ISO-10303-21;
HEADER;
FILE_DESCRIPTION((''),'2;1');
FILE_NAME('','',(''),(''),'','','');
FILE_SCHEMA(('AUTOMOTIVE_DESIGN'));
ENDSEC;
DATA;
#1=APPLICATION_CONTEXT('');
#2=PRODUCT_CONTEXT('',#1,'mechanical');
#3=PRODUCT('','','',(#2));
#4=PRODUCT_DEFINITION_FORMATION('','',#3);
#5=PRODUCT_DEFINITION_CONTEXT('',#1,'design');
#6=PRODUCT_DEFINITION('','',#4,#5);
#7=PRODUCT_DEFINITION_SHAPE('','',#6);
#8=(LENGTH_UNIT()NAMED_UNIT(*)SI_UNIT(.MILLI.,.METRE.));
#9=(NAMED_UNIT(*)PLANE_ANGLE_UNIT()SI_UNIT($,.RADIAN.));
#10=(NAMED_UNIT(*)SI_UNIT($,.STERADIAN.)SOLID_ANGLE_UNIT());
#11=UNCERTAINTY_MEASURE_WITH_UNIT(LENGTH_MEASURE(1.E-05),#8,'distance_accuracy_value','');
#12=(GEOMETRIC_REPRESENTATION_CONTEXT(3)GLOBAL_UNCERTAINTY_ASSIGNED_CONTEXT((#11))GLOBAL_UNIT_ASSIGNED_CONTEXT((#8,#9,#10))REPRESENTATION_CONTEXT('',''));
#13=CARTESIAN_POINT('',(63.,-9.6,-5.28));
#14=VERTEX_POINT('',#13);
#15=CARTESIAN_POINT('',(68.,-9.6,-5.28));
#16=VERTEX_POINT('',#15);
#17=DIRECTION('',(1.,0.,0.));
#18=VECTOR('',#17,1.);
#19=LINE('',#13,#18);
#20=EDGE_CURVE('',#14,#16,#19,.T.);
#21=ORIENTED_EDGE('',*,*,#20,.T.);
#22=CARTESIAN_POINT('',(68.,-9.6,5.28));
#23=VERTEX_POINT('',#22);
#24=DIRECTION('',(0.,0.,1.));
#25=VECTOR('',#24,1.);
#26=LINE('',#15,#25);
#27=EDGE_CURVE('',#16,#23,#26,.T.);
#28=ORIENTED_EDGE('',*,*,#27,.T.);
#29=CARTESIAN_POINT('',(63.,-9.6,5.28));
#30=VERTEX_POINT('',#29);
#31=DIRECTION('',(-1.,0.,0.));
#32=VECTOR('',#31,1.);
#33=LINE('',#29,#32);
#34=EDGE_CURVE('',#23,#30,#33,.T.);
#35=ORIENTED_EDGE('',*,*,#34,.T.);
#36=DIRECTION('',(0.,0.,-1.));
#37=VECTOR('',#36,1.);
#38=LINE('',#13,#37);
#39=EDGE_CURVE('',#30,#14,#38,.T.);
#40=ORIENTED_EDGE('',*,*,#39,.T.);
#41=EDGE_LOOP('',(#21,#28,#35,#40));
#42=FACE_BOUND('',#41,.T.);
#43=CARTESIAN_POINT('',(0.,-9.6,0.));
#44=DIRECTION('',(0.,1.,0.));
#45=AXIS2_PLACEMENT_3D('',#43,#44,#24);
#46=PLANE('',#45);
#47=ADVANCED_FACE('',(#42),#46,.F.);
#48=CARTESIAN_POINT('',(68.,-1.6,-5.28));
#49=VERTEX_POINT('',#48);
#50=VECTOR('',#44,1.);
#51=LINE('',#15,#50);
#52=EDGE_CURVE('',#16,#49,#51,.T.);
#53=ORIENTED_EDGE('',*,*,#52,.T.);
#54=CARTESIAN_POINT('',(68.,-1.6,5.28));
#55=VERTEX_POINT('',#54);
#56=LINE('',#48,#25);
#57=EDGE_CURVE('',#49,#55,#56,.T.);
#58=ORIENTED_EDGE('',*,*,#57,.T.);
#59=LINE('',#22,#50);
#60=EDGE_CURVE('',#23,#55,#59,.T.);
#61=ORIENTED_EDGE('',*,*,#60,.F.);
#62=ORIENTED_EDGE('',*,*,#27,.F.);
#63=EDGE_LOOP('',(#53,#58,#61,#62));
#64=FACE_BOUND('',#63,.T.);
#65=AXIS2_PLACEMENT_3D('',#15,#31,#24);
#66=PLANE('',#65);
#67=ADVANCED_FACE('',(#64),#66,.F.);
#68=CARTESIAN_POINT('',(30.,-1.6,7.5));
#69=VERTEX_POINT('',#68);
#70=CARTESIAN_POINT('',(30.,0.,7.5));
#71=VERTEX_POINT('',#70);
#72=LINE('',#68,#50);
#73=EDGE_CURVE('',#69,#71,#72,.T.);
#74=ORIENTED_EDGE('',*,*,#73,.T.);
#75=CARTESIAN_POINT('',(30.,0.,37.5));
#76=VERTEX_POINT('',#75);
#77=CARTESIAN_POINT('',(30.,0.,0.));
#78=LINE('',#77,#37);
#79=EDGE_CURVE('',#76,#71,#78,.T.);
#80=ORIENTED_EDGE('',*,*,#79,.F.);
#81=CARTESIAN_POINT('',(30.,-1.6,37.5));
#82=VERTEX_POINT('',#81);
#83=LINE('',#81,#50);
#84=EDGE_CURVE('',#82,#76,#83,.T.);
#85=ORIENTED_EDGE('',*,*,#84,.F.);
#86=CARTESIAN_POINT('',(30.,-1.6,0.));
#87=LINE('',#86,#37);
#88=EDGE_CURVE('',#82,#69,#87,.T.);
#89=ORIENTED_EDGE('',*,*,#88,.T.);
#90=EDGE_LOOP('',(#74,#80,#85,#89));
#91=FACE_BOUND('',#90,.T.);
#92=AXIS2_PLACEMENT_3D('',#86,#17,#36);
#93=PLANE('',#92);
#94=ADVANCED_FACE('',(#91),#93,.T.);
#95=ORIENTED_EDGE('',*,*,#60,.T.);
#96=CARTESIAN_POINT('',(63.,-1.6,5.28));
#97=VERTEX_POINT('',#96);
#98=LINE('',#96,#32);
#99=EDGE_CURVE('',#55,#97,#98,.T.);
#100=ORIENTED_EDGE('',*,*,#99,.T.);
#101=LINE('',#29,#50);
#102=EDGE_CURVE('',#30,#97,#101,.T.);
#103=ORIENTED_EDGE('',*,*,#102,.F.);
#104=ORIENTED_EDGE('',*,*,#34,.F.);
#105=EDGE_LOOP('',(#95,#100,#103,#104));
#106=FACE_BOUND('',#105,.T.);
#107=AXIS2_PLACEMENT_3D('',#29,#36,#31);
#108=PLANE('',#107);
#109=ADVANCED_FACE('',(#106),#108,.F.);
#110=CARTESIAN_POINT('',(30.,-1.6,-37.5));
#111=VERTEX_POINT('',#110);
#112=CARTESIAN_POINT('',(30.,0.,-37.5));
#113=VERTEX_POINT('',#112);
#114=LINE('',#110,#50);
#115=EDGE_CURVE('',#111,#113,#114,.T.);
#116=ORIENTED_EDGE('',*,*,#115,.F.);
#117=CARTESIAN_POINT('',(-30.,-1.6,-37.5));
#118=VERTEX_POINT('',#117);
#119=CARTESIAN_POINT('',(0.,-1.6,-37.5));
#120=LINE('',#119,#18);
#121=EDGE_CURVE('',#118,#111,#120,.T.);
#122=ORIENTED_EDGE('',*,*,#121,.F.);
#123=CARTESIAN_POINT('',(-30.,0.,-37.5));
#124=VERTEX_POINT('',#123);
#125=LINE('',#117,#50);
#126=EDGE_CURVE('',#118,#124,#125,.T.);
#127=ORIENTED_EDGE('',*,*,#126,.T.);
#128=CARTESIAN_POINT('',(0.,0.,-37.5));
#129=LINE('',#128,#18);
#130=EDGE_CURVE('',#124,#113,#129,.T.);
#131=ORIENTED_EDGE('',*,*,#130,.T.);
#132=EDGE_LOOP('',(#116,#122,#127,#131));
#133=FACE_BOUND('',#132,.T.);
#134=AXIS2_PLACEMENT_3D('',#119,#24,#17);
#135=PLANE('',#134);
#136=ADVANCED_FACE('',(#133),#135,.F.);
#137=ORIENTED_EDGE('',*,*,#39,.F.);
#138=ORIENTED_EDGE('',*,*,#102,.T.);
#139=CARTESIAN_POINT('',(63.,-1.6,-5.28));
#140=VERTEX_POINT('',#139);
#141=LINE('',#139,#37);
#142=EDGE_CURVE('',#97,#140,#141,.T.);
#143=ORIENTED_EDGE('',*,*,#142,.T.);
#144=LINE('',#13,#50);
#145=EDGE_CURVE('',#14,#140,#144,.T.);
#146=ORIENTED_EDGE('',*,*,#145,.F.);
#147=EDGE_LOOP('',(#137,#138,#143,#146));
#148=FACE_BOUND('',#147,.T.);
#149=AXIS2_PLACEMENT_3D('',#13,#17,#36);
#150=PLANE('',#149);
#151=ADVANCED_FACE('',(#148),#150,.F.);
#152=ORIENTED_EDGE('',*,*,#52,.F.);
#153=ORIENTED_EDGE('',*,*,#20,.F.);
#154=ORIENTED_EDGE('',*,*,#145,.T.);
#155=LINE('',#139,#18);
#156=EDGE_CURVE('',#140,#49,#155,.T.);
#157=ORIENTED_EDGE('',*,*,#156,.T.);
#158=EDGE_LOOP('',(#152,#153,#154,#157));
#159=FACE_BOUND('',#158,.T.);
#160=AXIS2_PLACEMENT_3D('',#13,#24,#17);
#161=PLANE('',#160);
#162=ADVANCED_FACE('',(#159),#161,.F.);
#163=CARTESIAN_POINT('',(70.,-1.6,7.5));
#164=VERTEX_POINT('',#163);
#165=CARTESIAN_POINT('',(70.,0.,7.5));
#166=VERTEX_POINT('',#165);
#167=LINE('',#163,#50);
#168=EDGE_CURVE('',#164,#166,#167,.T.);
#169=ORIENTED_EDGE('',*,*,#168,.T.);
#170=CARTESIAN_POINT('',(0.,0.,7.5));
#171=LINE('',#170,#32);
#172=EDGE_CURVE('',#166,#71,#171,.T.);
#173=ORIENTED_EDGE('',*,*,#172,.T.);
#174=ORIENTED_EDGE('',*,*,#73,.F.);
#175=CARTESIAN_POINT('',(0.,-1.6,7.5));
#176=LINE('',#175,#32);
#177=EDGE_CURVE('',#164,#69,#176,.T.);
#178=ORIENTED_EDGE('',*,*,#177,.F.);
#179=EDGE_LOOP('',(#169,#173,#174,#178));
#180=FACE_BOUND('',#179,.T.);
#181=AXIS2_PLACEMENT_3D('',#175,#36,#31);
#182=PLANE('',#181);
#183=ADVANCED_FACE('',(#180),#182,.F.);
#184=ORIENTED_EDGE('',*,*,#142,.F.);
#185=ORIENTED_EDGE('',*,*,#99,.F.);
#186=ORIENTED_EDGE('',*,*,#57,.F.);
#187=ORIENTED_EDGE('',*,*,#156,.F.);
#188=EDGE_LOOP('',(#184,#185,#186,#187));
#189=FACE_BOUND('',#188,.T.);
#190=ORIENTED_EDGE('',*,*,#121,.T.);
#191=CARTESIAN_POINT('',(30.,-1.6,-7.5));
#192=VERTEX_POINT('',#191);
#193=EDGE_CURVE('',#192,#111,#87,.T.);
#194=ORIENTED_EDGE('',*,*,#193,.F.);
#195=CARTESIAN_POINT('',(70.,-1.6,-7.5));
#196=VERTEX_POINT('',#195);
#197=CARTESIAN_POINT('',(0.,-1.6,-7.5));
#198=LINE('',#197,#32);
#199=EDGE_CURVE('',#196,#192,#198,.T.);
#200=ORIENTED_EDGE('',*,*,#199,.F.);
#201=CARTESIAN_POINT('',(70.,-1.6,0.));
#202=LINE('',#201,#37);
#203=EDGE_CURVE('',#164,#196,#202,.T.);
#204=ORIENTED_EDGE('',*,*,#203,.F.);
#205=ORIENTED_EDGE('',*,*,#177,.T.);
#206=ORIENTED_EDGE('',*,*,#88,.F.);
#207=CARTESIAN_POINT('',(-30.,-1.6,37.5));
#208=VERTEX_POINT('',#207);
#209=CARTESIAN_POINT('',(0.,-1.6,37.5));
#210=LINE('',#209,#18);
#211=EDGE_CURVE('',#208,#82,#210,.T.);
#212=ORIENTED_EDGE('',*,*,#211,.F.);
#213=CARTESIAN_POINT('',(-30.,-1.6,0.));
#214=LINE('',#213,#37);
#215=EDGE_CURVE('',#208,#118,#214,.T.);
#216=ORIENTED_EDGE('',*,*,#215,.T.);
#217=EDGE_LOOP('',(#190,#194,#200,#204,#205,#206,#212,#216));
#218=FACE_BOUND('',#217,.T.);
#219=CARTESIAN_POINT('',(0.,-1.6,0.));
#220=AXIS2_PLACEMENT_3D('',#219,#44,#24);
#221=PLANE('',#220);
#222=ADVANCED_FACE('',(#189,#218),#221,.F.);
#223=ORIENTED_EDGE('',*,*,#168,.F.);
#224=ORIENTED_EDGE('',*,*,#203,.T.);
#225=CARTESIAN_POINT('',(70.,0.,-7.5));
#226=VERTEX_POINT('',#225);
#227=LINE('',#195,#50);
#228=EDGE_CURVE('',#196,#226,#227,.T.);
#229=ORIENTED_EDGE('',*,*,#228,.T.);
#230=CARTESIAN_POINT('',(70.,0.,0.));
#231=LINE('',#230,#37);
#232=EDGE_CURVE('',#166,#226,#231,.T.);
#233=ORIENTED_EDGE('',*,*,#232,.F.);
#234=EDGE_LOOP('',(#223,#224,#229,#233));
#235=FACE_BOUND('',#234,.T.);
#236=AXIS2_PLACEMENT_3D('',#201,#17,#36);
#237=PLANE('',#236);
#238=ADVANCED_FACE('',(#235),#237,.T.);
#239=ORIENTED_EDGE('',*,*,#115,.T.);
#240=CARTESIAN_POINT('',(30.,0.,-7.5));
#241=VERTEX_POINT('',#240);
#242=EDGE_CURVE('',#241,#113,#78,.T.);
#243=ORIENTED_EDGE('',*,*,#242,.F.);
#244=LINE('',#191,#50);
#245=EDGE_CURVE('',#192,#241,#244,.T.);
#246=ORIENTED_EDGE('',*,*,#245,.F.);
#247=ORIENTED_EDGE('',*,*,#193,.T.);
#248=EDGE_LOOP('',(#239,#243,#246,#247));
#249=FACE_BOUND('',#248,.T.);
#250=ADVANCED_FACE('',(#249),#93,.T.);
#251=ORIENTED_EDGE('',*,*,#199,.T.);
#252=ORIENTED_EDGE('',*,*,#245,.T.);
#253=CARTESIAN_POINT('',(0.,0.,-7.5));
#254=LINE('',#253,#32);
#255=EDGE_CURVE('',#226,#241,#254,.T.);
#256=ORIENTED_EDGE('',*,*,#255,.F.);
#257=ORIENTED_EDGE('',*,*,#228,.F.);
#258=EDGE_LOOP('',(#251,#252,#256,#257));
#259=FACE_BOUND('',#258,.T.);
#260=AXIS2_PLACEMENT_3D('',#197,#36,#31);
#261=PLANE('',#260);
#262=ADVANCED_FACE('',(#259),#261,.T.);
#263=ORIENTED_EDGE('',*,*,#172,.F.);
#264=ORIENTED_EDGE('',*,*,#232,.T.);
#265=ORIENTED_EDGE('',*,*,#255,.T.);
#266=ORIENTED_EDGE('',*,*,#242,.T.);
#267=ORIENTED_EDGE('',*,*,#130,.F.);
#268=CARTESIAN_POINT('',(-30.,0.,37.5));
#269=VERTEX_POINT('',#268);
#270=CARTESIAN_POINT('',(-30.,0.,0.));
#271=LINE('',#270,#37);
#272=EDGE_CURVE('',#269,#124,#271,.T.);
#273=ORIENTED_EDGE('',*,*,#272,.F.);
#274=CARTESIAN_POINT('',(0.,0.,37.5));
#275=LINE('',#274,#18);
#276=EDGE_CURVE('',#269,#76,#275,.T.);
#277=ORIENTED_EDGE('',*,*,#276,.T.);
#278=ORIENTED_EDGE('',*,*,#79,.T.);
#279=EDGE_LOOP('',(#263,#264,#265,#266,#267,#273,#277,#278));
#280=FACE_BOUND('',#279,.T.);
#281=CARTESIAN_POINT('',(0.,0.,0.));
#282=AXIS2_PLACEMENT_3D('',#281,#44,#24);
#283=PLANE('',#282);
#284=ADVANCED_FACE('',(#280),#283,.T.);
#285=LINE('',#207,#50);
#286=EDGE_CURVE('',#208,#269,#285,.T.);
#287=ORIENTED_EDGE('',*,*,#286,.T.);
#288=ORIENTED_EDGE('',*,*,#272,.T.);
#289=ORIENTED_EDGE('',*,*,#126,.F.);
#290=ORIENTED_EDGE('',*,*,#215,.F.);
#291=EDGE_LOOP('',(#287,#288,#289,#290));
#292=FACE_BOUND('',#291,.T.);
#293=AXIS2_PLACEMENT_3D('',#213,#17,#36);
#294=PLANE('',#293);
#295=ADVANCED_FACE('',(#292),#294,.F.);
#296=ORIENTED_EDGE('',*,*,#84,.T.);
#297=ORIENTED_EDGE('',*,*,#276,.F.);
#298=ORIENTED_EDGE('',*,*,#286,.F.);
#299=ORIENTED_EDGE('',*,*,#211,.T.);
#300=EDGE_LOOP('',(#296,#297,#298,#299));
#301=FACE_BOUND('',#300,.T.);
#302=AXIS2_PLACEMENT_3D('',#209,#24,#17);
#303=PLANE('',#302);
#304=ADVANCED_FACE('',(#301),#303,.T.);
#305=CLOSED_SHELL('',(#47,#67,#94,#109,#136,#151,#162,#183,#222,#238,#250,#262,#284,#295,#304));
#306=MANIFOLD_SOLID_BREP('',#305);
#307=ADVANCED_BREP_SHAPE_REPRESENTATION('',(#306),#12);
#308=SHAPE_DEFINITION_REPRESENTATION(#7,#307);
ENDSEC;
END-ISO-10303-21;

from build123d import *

# Parameters (mm, degrees)
SKETCH1_W           = 60
SKETCH1_H           = 75
SKETCH1_W_2         = 40
SKETCH1_H_2         = 15
BOSS_EXTRUDE1_DEPTH = 1.6
SKETCH2_W           = 5
SKETCH2_H           = 10.56
BOSS_EXTRUDE2_DEPTH = 8


with BuildPart() as part:
    # Sketch1 → Boss-Extrude1 (new body)
    with BuildSketch(Plane(origin=(0, 0, 0), x_dir=(1, 0, 0), z_dir=(0, 1, 0))):
        Rectangle(SKETCH1_W, SKETCH1_H)
        with Locations((50, 0)):
            Rectangle(SKETCH1_W_2, SKETCH1_H_2)
    extrude(amount=-BOSS_EXTRUDE1_DEPTH)

    # Sketch2 → Boss-Extrude2 (add)
    with BuildSketch(Plane.XZ.offset(1.6)):
        with Locations((65.5, 0)):
            Rectangle(SKETCH2_W, SKETCH2_H)
    extrude(amount=BOSS_EXTRUDE2_DEPTH)


solid = part.part
